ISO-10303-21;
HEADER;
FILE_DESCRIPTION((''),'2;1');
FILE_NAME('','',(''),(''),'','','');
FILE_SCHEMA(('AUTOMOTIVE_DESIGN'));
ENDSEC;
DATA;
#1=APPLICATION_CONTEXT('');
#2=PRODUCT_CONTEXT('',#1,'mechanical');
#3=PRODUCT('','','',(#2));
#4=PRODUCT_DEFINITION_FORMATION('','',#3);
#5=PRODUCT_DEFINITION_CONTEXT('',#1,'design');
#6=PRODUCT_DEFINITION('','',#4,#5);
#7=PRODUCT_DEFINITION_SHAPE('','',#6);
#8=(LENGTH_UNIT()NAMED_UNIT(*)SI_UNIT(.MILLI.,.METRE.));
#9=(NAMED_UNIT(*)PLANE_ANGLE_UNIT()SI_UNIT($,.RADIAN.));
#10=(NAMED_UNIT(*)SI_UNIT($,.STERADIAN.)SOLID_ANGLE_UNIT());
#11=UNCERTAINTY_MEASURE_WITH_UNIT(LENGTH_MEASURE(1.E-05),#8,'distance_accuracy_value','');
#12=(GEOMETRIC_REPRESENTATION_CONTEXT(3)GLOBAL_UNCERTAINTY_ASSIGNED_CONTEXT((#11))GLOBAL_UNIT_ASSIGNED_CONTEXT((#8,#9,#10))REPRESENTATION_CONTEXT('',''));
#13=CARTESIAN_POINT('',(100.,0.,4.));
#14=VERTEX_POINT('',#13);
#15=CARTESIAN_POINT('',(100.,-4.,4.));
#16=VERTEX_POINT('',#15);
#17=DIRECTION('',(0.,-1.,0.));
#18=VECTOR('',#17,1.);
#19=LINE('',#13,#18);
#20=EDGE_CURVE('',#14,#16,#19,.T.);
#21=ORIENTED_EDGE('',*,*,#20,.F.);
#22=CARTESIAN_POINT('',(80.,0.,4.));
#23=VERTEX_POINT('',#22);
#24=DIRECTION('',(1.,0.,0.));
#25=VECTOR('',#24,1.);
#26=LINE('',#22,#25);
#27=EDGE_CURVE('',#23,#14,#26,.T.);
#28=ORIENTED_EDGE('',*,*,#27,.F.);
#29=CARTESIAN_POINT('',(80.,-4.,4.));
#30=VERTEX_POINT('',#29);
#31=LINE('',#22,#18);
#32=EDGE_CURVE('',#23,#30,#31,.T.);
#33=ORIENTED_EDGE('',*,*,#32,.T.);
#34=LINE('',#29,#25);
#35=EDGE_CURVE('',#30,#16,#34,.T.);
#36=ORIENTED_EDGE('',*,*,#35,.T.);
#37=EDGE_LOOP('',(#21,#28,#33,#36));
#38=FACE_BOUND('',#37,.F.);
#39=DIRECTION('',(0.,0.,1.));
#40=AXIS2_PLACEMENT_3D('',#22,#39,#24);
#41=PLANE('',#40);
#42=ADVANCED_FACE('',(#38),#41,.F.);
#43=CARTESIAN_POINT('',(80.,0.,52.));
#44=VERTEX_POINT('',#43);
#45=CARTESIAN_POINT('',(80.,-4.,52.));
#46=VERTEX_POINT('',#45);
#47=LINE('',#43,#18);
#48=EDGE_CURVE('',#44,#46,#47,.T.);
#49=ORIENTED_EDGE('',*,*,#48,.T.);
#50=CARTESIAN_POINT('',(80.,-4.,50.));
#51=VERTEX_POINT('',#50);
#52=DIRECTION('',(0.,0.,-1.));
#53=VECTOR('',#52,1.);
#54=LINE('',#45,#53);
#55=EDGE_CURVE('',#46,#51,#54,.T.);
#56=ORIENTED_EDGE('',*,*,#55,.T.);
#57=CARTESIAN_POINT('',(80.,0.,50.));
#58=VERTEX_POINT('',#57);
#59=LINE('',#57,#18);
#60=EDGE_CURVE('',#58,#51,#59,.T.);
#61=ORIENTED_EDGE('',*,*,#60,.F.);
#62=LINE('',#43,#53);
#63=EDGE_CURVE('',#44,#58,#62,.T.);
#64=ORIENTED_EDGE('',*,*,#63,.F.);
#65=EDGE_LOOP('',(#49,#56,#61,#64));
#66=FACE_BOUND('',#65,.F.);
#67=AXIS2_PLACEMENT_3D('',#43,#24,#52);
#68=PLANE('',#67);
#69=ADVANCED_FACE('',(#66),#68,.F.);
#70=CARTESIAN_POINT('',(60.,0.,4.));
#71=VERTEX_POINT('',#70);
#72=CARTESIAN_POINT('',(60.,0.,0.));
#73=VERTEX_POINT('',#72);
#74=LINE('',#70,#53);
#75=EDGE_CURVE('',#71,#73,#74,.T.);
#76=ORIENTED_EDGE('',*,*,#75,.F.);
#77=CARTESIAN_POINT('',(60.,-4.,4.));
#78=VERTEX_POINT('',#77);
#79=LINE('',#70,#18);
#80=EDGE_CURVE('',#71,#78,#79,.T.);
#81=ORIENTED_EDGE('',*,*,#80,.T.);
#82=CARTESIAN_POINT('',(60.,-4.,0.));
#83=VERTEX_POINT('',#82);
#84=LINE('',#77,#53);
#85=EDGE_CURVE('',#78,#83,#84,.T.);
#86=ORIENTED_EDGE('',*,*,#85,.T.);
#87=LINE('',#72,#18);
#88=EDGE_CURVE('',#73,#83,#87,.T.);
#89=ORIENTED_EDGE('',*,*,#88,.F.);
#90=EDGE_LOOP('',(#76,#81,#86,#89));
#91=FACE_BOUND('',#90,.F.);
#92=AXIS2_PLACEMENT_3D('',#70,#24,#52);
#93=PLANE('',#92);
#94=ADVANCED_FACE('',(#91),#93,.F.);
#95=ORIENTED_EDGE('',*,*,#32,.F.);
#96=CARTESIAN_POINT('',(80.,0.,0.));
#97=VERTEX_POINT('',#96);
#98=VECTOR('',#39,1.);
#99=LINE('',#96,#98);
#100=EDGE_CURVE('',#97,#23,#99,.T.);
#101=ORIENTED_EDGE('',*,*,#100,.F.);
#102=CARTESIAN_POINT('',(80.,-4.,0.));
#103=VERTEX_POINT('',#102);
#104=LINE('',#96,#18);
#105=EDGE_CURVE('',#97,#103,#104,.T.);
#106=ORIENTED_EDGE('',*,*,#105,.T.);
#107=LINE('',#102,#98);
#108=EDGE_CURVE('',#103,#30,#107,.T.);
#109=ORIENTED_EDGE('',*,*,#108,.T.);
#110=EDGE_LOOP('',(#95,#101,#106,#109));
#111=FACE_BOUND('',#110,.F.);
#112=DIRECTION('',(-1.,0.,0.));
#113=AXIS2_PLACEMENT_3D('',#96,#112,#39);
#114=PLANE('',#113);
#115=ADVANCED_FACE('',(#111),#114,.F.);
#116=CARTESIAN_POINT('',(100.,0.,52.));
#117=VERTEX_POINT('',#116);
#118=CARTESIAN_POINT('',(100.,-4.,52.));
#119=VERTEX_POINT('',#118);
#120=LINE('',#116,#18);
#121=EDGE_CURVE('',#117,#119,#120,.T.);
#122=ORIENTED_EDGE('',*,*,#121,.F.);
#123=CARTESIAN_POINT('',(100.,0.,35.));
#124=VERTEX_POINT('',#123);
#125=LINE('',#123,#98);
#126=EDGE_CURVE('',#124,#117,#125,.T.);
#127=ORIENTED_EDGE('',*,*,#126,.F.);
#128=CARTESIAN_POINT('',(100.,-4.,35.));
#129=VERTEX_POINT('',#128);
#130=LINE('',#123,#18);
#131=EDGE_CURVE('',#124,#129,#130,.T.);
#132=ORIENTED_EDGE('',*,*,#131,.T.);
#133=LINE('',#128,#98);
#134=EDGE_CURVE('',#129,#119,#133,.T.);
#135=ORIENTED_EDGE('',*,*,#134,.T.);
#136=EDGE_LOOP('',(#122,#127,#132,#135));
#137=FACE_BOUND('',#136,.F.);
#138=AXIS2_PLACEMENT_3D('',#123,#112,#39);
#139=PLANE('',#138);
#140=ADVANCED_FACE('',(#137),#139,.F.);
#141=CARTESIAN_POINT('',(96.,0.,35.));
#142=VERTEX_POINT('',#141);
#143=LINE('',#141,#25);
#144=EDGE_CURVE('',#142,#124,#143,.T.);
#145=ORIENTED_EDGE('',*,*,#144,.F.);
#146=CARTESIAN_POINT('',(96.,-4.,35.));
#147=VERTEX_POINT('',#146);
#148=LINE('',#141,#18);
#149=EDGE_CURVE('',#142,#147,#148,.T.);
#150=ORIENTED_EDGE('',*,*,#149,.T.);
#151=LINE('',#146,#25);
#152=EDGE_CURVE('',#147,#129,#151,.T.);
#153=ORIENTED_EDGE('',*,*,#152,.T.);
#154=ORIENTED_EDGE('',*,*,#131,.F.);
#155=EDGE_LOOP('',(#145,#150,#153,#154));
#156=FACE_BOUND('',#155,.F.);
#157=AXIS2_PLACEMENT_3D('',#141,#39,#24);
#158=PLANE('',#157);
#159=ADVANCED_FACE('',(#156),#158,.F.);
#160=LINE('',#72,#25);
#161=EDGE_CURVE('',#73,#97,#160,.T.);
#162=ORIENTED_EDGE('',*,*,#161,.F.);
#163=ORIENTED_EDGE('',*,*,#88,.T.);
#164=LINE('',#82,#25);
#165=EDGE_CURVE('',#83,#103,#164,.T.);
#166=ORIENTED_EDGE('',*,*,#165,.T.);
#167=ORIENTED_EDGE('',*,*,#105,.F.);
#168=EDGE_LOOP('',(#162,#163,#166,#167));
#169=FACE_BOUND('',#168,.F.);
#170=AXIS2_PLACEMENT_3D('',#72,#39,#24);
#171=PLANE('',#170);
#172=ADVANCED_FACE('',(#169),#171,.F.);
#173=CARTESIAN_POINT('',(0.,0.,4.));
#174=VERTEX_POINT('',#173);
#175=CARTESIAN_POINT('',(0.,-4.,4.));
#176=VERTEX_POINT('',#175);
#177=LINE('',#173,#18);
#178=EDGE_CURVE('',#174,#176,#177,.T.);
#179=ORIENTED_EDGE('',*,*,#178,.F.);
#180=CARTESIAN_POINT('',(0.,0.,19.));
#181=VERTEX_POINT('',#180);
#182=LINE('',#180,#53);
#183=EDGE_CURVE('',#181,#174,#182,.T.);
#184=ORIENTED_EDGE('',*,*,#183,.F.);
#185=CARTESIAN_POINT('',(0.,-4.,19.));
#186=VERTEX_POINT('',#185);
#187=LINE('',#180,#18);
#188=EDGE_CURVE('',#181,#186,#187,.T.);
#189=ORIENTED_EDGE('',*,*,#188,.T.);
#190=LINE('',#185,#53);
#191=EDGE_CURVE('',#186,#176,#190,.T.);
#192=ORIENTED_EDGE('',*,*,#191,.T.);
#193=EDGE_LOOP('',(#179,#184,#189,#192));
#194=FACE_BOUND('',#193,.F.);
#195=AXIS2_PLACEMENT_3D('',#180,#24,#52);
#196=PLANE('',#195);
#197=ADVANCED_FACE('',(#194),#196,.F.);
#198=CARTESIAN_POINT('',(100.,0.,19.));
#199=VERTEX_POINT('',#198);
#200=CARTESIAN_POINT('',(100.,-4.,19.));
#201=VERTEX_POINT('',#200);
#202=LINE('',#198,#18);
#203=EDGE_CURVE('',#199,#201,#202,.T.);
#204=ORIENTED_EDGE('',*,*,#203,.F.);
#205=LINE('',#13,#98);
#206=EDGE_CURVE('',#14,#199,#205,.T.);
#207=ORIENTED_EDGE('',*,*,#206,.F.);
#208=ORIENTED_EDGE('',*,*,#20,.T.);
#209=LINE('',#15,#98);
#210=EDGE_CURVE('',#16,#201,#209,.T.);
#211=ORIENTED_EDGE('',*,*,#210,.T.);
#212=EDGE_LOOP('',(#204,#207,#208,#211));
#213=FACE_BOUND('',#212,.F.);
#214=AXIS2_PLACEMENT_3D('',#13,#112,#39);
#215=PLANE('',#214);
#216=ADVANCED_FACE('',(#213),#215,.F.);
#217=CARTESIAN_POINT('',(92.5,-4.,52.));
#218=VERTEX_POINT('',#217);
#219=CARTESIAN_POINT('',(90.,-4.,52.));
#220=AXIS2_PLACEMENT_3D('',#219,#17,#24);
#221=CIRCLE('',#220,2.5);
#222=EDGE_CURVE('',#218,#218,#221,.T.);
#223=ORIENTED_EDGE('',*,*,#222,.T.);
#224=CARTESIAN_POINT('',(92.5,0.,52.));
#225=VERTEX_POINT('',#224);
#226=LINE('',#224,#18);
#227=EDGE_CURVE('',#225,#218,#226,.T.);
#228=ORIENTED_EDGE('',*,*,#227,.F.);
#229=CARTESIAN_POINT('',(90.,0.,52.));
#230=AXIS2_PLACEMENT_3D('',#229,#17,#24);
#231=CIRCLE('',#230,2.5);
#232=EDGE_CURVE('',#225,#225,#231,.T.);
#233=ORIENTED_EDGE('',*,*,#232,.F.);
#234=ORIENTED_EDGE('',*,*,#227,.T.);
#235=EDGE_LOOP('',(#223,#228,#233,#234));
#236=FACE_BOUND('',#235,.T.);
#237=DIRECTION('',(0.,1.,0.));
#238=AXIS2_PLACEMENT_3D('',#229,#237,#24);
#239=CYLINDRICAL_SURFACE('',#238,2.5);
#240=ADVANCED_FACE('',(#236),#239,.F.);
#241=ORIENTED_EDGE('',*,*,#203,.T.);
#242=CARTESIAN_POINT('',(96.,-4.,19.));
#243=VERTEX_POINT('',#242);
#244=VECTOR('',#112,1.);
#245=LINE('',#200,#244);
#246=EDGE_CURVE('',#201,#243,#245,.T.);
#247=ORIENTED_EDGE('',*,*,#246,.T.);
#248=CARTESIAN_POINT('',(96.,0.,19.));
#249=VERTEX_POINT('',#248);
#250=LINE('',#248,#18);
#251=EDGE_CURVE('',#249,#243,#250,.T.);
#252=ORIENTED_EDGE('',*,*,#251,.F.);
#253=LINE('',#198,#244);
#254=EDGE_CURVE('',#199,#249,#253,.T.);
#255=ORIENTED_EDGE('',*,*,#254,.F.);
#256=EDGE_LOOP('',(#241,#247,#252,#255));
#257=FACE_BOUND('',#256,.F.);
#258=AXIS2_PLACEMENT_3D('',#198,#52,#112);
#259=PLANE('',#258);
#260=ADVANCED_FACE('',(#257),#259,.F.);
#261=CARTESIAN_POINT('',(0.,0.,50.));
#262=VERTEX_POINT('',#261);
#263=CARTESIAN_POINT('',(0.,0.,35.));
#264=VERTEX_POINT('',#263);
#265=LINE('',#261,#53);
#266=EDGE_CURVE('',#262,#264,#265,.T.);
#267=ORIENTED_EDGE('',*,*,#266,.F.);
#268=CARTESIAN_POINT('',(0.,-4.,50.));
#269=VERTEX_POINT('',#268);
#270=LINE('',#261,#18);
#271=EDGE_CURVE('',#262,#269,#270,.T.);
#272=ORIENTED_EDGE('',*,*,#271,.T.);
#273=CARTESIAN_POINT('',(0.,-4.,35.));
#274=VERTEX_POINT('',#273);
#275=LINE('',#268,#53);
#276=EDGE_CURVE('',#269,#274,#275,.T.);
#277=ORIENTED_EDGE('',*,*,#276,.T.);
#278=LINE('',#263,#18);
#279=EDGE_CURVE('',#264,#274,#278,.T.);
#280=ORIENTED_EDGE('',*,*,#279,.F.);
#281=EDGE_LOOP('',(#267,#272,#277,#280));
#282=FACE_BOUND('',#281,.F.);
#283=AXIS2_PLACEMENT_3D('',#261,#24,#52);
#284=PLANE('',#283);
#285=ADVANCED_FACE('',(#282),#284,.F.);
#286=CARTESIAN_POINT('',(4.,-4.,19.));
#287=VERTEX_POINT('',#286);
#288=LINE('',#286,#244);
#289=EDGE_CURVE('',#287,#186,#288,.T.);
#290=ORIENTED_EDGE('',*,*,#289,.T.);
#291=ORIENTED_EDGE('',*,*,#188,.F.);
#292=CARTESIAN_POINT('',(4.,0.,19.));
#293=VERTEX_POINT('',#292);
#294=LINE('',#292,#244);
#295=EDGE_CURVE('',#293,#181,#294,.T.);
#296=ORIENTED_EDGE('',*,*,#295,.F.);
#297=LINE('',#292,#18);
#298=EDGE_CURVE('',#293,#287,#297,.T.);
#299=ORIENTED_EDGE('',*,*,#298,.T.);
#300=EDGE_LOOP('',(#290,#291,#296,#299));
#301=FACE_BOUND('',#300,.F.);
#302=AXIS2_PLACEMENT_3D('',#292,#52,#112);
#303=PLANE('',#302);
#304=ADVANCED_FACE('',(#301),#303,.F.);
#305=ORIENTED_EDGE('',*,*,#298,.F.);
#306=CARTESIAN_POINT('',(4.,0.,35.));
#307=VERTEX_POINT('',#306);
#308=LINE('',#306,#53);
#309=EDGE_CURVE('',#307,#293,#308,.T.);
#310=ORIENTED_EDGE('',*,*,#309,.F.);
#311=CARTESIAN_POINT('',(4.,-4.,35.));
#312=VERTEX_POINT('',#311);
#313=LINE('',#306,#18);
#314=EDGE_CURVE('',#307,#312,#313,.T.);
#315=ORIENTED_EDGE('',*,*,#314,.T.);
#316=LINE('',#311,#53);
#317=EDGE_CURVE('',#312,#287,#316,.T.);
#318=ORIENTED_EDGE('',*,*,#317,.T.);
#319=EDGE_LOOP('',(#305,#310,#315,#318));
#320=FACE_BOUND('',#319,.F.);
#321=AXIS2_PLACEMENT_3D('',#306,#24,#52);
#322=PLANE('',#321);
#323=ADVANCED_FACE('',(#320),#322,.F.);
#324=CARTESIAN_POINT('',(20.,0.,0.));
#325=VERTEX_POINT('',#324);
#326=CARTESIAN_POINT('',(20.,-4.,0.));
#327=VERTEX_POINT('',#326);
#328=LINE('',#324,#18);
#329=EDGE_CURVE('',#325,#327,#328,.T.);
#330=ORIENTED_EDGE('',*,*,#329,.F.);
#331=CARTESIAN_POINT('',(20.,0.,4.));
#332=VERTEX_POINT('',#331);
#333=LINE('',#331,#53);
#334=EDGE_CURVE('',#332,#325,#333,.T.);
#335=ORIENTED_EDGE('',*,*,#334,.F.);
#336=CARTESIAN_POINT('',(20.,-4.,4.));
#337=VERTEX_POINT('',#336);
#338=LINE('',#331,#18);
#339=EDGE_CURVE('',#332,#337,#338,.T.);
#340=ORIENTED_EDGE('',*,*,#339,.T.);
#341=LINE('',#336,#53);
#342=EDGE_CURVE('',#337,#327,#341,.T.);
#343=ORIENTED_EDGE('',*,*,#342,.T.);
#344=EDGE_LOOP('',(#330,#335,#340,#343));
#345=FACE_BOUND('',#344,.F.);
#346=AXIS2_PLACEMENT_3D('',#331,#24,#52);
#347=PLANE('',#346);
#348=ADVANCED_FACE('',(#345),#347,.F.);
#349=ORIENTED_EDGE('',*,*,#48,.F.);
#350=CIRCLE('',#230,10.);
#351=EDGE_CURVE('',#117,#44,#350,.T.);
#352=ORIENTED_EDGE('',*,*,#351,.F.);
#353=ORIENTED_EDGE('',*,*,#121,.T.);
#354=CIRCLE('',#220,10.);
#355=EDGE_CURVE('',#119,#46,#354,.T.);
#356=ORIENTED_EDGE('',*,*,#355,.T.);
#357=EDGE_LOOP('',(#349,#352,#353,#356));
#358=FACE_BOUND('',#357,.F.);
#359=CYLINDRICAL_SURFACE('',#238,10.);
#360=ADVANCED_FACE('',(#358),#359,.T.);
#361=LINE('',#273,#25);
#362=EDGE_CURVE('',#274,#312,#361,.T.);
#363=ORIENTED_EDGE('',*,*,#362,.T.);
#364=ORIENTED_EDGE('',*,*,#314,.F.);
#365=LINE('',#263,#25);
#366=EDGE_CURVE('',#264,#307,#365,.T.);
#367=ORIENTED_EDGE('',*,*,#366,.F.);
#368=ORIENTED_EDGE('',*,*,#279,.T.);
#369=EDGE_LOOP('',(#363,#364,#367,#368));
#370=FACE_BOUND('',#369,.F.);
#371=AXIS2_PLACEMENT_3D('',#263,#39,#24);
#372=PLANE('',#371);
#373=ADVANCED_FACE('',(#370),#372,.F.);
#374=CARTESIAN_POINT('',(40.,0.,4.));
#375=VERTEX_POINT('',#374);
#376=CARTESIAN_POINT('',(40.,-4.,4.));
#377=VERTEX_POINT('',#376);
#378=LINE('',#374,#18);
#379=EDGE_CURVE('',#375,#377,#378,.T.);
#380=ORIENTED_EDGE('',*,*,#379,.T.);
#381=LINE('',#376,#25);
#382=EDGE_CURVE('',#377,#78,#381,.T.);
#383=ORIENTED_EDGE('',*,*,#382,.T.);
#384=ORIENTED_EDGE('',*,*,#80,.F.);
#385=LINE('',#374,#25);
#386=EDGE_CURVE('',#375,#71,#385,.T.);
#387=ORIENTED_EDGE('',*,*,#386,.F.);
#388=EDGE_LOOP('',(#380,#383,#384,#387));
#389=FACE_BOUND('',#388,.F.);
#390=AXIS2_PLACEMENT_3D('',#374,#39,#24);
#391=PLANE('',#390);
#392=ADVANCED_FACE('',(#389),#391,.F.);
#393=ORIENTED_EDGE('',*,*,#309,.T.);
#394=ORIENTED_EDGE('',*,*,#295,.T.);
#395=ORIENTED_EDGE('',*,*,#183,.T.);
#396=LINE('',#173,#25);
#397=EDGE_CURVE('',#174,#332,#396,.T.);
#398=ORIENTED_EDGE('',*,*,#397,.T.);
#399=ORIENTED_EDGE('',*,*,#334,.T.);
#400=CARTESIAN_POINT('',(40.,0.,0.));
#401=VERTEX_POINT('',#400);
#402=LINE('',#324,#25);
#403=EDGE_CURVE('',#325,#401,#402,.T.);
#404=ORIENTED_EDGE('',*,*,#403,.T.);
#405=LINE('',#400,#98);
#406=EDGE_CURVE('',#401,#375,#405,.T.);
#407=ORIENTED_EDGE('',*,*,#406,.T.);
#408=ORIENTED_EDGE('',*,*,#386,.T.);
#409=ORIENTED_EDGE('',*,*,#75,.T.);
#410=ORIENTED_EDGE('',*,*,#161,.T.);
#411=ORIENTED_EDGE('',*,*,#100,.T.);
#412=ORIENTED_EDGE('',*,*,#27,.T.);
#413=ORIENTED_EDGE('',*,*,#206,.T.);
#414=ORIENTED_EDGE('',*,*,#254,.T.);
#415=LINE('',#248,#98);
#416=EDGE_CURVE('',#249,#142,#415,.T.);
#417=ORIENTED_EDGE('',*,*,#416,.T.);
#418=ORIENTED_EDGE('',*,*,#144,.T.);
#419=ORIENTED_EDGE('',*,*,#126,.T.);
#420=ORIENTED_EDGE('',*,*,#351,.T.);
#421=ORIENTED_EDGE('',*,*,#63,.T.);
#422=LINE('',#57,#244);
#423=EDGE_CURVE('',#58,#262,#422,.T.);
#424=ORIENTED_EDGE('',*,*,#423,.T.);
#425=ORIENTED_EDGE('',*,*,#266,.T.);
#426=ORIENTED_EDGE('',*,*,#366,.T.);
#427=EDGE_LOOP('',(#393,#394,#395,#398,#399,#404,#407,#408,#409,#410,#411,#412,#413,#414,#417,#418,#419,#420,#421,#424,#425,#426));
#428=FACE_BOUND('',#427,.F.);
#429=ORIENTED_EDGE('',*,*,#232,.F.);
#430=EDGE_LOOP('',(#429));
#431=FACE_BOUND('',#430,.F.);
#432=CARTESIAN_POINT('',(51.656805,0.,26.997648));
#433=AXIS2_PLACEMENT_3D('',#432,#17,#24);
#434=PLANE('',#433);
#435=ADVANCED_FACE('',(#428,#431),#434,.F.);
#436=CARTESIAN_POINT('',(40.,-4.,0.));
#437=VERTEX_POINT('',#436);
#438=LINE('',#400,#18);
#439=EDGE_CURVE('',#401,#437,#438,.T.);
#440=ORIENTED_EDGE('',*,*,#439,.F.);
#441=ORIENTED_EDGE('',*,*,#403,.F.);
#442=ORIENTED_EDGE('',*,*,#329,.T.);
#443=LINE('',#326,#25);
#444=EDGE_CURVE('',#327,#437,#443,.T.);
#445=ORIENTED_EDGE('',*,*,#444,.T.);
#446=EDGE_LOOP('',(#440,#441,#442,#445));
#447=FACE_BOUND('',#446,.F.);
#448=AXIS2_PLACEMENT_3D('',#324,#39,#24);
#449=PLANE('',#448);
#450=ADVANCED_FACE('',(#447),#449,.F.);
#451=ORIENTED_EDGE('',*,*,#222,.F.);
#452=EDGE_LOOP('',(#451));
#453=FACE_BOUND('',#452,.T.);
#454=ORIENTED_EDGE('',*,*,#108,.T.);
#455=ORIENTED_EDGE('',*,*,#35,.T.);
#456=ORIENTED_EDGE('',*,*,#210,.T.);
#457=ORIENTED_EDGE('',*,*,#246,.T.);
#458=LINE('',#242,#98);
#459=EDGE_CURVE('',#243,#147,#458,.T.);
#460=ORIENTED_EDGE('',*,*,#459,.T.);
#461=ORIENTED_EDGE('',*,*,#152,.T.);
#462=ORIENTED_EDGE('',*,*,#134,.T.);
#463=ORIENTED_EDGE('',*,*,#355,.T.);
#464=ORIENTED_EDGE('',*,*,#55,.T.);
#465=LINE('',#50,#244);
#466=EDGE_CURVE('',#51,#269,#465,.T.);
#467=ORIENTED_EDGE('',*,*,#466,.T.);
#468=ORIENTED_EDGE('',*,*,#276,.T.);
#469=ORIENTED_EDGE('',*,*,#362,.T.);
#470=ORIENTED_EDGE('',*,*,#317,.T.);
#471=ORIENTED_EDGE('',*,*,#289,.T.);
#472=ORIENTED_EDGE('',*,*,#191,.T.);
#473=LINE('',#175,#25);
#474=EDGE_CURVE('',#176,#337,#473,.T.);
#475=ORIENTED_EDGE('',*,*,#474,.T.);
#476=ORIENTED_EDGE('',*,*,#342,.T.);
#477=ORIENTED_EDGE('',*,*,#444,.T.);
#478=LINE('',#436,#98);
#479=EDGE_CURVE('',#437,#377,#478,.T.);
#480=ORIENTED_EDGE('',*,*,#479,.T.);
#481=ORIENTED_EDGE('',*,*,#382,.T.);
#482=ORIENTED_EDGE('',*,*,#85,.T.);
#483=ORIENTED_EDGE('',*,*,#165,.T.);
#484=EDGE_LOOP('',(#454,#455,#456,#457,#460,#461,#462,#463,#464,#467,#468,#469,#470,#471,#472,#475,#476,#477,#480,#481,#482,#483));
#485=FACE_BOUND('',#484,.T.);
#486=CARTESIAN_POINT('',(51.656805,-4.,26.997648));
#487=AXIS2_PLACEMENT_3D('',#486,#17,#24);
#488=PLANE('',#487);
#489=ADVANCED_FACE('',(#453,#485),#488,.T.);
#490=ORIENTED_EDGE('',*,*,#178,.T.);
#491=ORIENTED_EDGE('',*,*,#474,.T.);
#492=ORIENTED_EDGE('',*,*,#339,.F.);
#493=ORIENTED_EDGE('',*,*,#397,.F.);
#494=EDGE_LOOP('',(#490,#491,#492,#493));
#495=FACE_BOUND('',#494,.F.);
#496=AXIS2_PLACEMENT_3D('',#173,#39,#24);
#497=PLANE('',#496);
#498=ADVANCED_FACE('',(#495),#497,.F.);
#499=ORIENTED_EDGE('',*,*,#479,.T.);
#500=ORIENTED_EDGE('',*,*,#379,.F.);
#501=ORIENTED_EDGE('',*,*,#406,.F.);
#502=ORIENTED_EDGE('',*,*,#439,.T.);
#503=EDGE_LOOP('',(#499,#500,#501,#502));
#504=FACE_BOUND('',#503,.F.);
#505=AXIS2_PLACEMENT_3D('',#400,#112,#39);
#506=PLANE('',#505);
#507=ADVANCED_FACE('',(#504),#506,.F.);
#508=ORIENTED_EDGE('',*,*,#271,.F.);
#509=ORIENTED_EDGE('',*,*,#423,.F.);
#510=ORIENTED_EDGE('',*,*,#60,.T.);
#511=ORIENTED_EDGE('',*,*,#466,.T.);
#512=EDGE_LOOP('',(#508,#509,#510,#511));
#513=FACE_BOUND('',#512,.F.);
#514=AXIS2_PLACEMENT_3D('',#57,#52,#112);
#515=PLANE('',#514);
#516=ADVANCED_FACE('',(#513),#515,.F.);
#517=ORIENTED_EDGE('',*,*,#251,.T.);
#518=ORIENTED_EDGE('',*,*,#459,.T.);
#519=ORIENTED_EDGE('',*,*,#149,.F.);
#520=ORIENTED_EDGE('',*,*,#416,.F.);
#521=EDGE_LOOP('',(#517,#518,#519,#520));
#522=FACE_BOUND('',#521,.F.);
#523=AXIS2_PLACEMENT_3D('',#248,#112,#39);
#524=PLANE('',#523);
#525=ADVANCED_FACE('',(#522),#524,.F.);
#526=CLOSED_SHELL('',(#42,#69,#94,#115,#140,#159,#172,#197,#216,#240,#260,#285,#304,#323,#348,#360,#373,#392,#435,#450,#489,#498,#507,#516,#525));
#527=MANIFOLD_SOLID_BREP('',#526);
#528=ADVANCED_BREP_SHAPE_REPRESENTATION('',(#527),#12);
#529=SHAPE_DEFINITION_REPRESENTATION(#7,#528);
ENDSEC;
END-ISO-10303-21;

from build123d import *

# Parameters (mm, degrees)
F0_R     = 2.5
F1_DEPTH = 4


with BuildPart() as f1:
    # F0 (on Front) → F1 (new body)
    with BuildSketch(Plane.XZ):
        with BuildLine():
            Line((20, 4), (20, 0))
            Line((20, 0), (40, 0))
            Line((40, 0), (40, 4))
            Line((40, 4), (60, 4))
            Line((60, 4), (60, 0))
            Line((60, 0), (80, 0))
            Line((80, 0), (80, 4))
            Line((80, 4), (100, 4))
            Line((100, 4), (100, 19))
            Line((100, 19), (96, 19))
            Line((96, 19), (96, 35))
            Line((96, 35), (100, 35))
            Line((100, 35), (100, 50))
            Line((100, 50), (100, 52))
            ThreePointArc((100, 52), (90, 62), (80, 52))
            Line((80, 52), (80, 50))
            Line((80, 50), (0, 50))
            Line((0, 50), (0, 35))
            Line((0, 35), (4, 35))
            Line((4, 35), (4, 19))
            Line((4, 19), (0, 19))
            Line((0, 19), (0, 4))
            Line((0, 4), (20, 4))
        make_face()
        with Locations((90, 52)):
            Circle(F0_R, mode=Mode.SUBTRACT)
    extrude(amount=F1_DEPTH)


solid = f1.part
